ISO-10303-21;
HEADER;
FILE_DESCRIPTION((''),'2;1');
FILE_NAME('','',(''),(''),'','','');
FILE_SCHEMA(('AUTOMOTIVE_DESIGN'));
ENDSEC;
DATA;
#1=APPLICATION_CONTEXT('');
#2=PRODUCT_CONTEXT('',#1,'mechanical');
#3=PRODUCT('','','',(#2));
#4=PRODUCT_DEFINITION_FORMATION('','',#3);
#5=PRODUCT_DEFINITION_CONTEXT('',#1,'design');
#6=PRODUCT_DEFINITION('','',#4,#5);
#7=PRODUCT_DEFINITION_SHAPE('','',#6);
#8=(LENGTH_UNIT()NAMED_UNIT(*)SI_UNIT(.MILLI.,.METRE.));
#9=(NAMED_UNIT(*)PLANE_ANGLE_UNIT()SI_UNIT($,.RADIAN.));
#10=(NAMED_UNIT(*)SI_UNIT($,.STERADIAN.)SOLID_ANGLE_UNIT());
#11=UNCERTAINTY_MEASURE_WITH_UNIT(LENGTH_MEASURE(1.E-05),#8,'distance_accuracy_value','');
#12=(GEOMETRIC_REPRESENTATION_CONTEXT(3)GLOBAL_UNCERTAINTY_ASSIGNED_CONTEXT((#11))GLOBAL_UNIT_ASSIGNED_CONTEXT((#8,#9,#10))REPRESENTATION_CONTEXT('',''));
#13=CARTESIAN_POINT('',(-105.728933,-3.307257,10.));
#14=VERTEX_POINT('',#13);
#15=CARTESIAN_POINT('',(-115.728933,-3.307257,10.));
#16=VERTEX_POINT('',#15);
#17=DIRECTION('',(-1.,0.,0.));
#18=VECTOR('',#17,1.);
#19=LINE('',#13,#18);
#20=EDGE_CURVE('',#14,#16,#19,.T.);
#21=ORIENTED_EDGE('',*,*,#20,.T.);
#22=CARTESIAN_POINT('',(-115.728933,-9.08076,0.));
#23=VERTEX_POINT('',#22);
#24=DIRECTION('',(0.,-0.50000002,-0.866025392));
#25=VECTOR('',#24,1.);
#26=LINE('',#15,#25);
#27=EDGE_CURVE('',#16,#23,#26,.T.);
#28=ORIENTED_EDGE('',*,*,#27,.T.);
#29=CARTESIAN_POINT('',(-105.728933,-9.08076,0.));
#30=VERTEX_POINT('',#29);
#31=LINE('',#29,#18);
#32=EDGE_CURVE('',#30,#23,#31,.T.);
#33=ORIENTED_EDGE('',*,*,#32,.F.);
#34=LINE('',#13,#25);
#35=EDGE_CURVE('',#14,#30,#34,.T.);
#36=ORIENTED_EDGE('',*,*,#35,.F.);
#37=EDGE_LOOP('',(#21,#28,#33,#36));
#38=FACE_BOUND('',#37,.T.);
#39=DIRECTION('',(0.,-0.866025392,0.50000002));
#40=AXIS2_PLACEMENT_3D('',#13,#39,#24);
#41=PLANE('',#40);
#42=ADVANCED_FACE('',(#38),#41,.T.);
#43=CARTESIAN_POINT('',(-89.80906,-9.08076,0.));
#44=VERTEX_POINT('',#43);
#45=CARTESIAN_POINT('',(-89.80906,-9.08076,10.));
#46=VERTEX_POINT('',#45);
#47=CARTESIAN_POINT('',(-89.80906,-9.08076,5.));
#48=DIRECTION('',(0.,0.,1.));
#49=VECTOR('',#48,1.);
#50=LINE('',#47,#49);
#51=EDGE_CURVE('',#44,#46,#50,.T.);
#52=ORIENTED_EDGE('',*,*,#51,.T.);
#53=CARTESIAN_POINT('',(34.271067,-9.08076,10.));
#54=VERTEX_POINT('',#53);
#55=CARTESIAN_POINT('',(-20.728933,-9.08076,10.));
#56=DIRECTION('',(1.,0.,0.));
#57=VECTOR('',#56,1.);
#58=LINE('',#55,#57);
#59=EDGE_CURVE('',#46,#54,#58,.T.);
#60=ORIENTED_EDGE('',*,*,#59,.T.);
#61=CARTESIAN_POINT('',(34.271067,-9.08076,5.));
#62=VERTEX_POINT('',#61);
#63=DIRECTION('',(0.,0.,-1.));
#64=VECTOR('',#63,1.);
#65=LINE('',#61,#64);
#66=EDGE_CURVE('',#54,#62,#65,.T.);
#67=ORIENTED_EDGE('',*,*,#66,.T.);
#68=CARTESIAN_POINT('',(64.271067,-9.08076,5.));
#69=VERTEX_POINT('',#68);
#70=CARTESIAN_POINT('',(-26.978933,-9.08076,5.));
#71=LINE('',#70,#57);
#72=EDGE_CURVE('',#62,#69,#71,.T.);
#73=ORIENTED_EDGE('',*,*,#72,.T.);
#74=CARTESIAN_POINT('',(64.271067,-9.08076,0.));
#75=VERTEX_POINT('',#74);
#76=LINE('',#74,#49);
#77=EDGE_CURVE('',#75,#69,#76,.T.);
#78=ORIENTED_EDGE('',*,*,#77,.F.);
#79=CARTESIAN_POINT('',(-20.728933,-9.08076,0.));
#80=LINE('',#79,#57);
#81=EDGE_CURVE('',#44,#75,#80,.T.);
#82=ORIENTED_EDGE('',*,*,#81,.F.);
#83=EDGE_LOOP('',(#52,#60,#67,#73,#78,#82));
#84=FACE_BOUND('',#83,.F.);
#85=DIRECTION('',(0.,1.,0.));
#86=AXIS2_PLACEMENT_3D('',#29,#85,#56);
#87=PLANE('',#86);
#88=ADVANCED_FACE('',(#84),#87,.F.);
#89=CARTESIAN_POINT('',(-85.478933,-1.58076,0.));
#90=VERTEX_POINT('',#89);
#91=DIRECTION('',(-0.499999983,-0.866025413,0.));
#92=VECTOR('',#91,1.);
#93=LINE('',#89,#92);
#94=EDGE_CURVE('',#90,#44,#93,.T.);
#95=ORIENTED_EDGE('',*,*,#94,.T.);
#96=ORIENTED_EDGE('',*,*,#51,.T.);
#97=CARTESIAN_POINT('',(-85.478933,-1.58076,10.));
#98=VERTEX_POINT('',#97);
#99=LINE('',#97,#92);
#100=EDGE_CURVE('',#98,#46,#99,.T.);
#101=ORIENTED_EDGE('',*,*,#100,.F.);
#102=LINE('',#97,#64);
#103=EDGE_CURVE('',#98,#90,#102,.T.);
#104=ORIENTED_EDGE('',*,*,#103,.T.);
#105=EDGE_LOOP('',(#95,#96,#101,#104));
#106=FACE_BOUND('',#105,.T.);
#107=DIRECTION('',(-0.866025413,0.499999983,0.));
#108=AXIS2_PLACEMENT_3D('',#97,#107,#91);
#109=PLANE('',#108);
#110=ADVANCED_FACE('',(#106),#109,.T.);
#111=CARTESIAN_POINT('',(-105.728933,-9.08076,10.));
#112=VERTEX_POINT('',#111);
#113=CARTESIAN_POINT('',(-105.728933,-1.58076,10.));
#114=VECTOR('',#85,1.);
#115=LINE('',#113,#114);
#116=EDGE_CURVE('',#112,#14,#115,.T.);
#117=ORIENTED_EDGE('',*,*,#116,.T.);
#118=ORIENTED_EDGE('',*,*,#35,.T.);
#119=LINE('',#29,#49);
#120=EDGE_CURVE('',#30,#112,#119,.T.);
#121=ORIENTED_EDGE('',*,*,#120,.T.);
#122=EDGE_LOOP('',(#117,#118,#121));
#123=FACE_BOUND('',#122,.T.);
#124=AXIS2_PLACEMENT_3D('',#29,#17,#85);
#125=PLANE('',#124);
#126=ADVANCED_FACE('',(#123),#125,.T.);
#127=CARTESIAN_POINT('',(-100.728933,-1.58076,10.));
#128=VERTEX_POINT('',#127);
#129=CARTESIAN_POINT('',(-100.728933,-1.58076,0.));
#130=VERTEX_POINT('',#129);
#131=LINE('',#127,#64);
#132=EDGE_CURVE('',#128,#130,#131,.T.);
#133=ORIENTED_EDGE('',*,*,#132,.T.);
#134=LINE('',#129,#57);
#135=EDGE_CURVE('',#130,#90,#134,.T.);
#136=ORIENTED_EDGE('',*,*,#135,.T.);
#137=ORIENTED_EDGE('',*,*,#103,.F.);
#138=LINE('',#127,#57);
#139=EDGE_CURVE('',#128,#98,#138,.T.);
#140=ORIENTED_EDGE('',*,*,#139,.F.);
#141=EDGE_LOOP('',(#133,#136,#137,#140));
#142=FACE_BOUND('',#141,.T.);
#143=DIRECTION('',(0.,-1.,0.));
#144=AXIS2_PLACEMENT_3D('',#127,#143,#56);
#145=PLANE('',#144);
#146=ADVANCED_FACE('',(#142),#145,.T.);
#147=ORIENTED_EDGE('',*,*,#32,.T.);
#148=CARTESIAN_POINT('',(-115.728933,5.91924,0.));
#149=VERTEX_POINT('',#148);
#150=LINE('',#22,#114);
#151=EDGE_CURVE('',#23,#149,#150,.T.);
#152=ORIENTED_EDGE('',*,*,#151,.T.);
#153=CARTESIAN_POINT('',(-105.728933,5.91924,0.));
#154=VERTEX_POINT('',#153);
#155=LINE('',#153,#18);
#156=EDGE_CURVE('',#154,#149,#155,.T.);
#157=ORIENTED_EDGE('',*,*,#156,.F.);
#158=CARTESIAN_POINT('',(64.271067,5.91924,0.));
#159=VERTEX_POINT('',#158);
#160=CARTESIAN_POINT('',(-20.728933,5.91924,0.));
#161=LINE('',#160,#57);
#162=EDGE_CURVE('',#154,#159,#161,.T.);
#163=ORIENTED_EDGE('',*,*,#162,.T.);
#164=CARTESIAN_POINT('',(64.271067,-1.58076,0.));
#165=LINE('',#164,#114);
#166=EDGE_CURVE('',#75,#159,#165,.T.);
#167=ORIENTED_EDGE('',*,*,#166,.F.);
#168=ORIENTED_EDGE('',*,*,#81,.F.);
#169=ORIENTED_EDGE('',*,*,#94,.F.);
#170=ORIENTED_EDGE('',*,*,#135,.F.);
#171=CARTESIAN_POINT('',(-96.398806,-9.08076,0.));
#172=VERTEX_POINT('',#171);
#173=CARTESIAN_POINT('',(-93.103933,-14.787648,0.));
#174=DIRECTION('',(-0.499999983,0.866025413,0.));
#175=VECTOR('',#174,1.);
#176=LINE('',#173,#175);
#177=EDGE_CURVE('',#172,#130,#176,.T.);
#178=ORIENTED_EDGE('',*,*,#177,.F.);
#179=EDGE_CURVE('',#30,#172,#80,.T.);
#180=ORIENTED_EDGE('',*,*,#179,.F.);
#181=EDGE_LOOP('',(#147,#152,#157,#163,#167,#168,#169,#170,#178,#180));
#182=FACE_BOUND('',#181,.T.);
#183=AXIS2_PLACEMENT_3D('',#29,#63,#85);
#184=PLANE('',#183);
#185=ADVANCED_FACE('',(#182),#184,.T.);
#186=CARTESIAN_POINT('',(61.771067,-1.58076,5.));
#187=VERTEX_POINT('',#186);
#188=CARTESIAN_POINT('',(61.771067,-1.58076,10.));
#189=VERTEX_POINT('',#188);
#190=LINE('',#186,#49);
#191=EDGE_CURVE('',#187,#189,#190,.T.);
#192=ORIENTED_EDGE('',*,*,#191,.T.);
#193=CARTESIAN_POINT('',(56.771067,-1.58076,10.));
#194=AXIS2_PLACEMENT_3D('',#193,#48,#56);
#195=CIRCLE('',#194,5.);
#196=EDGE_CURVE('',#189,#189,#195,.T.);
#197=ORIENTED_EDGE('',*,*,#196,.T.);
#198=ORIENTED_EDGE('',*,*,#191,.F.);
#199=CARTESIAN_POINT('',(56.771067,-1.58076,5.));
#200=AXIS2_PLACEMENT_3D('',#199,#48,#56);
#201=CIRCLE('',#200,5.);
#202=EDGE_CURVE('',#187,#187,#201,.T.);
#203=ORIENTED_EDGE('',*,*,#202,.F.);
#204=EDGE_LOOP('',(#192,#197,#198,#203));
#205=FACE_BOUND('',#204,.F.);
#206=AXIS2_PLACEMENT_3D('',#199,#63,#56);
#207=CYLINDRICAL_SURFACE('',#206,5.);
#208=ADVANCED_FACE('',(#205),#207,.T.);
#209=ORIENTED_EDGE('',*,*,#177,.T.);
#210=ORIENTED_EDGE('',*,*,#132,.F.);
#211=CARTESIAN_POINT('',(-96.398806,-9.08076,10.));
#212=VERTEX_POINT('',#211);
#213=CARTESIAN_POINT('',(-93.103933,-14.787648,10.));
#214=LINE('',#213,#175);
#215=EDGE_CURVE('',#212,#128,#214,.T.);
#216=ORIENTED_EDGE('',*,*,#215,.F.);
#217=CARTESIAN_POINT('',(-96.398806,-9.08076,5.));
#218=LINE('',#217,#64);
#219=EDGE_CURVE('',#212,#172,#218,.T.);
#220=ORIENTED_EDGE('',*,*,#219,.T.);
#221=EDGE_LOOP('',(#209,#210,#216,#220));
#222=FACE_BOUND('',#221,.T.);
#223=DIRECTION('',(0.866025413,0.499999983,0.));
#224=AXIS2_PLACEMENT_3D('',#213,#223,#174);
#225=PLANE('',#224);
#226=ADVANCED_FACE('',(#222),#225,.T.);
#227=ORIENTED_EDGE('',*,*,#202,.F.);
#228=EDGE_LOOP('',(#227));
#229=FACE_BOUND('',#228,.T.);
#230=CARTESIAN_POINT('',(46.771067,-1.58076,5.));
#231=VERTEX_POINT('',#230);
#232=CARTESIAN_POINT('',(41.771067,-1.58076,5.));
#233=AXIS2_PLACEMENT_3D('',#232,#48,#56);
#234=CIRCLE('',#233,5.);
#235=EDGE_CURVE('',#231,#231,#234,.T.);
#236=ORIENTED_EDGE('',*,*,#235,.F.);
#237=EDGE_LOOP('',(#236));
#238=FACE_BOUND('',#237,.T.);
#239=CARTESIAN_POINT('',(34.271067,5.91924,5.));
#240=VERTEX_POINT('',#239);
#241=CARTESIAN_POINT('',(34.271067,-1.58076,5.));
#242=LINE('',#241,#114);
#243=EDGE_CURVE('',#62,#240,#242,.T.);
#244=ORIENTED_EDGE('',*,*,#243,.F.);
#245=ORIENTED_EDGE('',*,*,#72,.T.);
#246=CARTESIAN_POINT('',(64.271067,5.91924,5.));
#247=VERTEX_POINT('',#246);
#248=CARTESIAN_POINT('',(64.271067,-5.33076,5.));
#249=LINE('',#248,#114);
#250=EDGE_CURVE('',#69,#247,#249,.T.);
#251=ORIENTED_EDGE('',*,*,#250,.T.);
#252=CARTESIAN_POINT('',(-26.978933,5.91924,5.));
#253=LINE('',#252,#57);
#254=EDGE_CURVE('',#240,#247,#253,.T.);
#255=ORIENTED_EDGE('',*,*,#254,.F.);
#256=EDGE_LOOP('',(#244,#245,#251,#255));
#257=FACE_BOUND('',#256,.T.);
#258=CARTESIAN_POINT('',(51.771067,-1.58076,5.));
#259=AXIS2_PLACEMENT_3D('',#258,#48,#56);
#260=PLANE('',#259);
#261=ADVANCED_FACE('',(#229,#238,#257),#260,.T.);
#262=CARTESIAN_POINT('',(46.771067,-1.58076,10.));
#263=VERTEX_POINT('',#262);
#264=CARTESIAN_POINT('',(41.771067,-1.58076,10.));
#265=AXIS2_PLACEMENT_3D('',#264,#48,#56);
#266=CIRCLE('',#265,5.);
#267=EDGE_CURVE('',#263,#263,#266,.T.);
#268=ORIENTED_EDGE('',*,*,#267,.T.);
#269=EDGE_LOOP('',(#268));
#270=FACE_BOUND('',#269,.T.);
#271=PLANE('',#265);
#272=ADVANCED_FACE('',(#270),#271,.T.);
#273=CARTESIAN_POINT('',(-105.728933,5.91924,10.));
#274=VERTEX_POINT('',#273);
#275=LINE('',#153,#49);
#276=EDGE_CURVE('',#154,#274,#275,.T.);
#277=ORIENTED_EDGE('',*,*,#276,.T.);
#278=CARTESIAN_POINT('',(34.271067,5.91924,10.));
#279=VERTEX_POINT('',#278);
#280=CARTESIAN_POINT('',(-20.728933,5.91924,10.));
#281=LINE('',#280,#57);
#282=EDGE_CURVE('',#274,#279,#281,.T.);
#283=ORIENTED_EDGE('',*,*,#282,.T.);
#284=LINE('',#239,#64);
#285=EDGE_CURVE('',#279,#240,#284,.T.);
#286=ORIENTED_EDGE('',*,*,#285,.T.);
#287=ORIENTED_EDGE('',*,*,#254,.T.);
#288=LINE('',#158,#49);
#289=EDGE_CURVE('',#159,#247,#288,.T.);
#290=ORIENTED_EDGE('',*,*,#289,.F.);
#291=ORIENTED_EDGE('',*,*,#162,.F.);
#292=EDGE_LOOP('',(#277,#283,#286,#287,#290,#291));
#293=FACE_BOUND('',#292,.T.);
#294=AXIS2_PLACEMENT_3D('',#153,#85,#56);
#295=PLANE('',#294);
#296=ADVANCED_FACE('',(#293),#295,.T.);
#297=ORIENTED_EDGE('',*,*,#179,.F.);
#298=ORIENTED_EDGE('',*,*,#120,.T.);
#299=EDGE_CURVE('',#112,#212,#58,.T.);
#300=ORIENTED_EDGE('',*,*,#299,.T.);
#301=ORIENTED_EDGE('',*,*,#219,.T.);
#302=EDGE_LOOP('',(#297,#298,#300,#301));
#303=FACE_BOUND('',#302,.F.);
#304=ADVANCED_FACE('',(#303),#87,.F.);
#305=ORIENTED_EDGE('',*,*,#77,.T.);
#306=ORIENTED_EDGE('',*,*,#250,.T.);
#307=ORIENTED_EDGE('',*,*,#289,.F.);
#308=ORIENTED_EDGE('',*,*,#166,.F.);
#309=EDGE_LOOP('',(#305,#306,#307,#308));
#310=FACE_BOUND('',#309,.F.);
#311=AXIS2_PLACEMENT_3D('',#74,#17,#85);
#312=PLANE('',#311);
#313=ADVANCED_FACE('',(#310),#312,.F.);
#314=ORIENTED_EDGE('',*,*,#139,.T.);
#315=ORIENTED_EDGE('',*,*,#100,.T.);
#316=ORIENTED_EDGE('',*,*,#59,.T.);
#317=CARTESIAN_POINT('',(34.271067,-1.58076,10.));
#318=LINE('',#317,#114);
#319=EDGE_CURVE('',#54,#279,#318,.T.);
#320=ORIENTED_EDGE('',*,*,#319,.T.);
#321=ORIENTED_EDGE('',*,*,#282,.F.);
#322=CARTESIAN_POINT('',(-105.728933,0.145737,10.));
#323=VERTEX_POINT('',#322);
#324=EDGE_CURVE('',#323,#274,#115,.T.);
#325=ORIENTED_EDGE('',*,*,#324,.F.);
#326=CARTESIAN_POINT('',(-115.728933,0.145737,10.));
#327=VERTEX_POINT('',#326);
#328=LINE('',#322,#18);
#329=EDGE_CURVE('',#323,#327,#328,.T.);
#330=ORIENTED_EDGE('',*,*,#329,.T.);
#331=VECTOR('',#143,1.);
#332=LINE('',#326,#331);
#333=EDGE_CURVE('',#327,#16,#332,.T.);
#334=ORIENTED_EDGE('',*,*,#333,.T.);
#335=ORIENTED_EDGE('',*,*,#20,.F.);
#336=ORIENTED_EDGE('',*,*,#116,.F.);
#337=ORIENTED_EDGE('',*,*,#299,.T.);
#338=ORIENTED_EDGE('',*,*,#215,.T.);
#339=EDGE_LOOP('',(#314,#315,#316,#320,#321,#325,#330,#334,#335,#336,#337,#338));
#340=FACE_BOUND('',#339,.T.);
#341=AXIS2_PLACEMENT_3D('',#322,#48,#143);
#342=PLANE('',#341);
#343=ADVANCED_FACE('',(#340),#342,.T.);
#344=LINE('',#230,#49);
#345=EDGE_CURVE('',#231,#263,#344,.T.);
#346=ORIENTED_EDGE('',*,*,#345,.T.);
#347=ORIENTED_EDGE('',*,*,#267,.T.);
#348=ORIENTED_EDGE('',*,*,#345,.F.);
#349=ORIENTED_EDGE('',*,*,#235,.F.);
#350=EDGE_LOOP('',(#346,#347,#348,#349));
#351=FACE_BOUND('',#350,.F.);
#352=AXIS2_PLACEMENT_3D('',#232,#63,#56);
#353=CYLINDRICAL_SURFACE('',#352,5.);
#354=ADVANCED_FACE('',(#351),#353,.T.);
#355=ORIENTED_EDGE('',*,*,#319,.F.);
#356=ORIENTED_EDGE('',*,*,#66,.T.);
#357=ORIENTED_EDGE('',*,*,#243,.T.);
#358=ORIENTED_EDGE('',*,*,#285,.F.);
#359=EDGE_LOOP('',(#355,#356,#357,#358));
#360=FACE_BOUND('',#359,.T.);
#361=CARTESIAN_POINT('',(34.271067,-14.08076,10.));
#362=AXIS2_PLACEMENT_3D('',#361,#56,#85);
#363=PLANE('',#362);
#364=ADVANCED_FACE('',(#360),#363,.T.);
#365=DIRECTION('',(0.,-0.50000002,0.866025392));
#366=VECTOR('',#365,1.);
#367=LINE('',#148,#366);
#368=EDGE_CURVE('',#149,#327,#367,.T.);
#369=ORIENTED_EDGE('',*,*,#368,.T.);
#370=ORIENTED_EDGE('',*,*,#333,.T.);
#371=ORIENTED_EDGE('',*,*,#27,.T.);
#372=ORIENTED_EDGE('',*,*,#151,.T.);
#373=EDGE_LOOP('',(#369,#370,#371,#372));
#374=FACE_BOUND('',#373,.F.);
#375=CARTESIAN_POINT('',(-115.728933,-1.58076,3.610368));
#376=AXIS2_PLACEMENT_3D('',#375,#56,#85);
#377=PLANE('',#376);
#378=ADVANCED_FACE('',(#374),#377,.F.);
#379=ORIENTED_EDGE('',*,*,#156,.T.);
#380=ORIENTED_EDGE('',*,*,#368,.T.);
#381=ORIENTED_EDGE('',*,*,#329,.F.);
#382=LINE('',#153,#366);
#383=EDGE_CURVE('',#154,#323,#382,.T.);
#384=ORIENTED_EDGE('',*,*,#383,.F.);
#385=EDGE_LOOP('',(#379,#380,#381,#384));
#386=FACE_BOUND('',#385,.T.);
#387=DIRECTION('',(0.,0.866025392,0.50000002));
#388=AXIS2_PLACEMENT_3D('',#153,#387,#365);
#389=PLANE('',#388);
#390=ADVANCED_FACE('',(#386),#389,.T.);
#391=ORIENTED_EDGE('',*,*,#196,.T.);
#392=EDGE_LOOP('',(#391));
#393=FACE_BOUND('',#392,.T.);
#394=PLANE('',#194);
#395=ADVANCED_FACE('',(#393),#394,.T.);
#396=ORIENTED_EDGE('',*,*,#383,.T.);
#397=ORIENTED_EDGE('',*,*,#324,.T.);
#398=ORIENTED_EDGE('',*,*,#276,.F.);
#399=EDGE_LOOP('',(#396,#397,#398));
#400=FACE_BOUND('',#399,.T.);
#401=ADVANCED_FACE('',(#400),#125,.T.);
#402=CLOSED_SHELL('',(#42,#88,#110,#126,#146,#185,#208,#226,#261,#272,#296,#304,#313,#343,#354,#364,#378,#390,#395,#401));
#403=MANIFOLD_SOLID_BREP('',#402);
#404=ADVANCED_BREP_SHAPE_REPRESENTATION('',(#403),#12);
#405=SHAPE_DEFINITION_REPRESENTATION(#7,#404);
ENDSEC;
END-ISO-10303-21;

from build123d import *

# Parameters (mm, degrees)
SKETCH_W        = 170
SKETCH_H        = 15
PAD_DEPTH       = 10
SKETCH001_W     = 35
SKETCH001_H     = 25
POCKET_DEPTH    = 5
SKETCH002_R     = 5
PAD001_DEPTH    = 5
PAD002_DEPTH    = 10
POCKET001_DEPTH = 10


with BuildPart() as part:
    # Sketch → Pad (new body)
    with BuildSketch(Plane.XY):
        with Locations((-20.728933, -1.58076)):
            Rectangle(SKETCH_W, SKETCH_H)
    extrude(amount=PAD_DEPTH)

    # Sketch001 (on Face6 of Pad) → Pocket (cut)
    with BuildSketch(Plane.XY.offset(10)):
        with Locations((51.771067, -1.58076)):
            Rectangle(SKETCH001_W, SKETCH001_H)
    extrude(amount=-POCKET_DEPTH, mode=Mode.SUBTRACT)

    # Sketch002 (on Face7 of Pocket) → Pad001 (join)
    with BuildSketch(Plane.XY.offset(5)):
        with Locations((56.771067, -1.58076)):
            Circle(SKETCH002_R)
        with Locations((41.771067, -1.58076)):
            Circle(SKETCH002_R)
    extrude(amount=PAD001_DEPTH)

    # Sketch003 (on Face1 of Pad001) → Pad002 (join)
    with BuildSketch(Plane(origin=(-105.728933, 0, 0), x_dir=(0, -1, 0), z_dir=(-1, 0, 0))):
        Polygon((-5.91924, 0), (-0.145737, 10), (3.307257, 10), (9.08076, 0), align=None)
    extrude(amount=PAD002_DEPTH)

    # Sketch004 (on Face3 of Pad002) → Pocket001 (cut)
    with BuildSketch(Plane.XY.offset(10)):
        Polygon((-93.103933, -14.787648), (-100.728933, -1.58076), (-85.478933, -1.58076), align=None)
    extrude(amount=-POCKET001_DEPTH, mode=Mode.SUBTRACT)


solid = part.part
